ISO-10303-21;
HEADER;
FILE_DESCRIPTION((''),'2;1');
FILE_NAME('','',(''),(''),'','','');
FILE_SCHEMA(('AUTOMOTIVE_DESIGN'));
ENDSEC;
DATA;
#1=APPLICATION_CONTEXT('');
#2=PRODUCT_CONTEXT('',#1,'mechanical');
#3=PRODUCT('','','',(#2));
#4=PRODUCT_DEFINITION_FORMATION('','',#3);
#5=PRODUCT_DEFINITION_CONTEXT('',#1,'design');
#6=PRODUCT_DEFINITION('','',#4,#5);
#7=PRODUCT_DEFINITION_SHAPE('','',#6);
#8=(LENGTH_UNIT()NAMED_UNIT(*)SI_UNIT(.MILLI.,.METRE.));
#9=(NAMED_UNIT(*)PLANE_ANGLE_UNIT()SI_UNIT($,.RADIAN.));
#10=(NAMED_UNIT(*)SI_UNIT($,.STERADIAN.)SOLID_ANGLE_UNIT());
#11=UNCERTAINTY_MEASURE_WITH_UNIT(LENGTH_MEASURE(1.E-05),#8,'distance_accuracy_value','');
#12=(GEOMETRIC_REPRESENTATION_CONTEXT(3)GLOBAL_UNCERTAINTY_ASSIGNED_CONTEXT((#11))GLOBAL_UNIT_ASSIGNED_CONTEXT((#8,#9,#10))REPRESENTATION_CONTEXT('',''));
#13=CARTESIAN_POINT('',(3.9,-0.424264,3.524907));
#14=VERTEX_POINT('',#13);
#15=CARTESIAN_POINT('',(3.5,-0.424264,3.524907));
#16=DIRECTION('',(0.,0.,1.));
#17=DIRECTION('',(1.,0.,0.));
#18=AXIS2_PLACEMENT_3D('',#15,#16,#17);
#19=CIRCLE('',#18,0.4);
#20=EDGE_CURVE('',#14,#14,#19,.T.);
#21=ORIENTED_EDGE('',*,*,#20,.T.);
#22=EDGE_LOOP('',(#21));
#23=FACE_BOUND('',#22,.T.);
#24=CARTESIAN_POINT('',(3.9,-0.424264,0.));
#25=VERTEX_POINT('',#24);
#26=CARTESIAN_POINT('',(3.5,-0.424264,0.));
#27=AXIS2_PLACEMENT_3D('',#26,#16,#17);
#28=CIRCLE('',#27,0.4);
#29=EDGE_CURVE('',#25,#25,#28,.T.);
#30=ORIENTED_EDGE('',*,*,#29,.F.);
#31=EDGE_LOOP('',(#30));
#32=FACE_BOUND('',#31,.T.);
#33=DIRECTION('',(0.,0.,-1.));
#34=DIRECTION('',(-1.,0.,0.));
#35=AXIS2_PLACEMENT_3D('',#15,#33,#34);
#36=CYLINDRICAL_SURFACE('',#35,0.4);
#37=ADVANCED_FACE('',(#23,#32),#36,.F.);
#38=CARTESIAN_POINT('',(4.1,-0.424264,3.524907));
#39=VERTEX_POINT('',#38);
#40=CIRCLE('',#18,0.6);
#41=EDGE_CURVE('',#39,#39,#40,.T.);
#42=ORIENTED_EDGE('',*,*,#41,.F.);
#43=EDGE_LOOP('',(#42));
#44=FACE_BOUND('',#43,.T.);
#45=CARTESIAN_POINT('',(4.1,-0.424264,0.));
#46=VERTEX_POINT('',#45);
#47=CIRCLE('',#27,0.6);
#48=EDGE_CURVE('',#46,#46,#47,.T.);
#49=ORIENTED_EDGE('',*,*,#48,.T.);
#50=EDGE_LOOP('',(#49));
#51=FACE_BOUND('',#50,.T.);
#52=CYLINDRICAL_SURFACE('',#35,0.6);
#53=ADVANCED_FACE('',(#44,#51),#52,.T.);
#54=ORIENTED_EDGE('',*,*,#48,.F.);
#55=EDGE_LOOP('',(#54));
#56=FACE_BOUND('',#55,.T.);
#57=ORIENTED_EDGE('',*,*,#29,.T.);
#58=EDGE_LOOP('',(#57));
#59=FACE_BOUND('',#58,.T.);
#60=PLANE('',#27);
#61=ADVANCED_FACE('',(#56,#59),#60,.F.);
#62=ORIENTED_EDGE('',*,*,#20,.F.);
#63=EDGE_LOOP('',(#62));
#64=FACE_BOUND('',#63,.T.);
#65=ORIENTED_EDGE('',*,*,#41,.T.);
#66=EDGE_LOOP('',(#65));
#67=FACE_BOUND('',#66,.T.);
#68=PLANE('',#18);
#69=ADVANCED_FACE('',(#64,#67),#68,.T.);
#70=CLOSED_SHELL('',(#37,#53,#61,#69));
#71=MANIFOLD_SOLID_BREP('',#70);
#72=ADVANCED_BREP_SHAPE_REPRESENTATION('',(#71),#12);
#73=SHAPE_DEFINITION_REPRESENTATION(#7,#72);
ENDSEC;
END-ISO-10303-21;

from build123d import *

# Parameters (mm, degrees)
SKETCH_1_R      = 0.6
SKETCH_1_R_2    = 0.4
EXTRUDE_1_DEPTH = 3.524907


with BuildPart() as part:
    # Эскиз1 → Бобышка-Вытянуть1 (new body)
    with BuildSketch(Plane.XY):
        with Locations((3.5, -0.424264069)):
            Circle(SKETCH_1_R)
        with Locations((3.5, -0.424264069)):
            Circle(SKETCH_1_R_2, mode=Mode.SUBTRACT)
    extrude(amount=EXTRUDE_1_DEPTH)


solid = part.part
